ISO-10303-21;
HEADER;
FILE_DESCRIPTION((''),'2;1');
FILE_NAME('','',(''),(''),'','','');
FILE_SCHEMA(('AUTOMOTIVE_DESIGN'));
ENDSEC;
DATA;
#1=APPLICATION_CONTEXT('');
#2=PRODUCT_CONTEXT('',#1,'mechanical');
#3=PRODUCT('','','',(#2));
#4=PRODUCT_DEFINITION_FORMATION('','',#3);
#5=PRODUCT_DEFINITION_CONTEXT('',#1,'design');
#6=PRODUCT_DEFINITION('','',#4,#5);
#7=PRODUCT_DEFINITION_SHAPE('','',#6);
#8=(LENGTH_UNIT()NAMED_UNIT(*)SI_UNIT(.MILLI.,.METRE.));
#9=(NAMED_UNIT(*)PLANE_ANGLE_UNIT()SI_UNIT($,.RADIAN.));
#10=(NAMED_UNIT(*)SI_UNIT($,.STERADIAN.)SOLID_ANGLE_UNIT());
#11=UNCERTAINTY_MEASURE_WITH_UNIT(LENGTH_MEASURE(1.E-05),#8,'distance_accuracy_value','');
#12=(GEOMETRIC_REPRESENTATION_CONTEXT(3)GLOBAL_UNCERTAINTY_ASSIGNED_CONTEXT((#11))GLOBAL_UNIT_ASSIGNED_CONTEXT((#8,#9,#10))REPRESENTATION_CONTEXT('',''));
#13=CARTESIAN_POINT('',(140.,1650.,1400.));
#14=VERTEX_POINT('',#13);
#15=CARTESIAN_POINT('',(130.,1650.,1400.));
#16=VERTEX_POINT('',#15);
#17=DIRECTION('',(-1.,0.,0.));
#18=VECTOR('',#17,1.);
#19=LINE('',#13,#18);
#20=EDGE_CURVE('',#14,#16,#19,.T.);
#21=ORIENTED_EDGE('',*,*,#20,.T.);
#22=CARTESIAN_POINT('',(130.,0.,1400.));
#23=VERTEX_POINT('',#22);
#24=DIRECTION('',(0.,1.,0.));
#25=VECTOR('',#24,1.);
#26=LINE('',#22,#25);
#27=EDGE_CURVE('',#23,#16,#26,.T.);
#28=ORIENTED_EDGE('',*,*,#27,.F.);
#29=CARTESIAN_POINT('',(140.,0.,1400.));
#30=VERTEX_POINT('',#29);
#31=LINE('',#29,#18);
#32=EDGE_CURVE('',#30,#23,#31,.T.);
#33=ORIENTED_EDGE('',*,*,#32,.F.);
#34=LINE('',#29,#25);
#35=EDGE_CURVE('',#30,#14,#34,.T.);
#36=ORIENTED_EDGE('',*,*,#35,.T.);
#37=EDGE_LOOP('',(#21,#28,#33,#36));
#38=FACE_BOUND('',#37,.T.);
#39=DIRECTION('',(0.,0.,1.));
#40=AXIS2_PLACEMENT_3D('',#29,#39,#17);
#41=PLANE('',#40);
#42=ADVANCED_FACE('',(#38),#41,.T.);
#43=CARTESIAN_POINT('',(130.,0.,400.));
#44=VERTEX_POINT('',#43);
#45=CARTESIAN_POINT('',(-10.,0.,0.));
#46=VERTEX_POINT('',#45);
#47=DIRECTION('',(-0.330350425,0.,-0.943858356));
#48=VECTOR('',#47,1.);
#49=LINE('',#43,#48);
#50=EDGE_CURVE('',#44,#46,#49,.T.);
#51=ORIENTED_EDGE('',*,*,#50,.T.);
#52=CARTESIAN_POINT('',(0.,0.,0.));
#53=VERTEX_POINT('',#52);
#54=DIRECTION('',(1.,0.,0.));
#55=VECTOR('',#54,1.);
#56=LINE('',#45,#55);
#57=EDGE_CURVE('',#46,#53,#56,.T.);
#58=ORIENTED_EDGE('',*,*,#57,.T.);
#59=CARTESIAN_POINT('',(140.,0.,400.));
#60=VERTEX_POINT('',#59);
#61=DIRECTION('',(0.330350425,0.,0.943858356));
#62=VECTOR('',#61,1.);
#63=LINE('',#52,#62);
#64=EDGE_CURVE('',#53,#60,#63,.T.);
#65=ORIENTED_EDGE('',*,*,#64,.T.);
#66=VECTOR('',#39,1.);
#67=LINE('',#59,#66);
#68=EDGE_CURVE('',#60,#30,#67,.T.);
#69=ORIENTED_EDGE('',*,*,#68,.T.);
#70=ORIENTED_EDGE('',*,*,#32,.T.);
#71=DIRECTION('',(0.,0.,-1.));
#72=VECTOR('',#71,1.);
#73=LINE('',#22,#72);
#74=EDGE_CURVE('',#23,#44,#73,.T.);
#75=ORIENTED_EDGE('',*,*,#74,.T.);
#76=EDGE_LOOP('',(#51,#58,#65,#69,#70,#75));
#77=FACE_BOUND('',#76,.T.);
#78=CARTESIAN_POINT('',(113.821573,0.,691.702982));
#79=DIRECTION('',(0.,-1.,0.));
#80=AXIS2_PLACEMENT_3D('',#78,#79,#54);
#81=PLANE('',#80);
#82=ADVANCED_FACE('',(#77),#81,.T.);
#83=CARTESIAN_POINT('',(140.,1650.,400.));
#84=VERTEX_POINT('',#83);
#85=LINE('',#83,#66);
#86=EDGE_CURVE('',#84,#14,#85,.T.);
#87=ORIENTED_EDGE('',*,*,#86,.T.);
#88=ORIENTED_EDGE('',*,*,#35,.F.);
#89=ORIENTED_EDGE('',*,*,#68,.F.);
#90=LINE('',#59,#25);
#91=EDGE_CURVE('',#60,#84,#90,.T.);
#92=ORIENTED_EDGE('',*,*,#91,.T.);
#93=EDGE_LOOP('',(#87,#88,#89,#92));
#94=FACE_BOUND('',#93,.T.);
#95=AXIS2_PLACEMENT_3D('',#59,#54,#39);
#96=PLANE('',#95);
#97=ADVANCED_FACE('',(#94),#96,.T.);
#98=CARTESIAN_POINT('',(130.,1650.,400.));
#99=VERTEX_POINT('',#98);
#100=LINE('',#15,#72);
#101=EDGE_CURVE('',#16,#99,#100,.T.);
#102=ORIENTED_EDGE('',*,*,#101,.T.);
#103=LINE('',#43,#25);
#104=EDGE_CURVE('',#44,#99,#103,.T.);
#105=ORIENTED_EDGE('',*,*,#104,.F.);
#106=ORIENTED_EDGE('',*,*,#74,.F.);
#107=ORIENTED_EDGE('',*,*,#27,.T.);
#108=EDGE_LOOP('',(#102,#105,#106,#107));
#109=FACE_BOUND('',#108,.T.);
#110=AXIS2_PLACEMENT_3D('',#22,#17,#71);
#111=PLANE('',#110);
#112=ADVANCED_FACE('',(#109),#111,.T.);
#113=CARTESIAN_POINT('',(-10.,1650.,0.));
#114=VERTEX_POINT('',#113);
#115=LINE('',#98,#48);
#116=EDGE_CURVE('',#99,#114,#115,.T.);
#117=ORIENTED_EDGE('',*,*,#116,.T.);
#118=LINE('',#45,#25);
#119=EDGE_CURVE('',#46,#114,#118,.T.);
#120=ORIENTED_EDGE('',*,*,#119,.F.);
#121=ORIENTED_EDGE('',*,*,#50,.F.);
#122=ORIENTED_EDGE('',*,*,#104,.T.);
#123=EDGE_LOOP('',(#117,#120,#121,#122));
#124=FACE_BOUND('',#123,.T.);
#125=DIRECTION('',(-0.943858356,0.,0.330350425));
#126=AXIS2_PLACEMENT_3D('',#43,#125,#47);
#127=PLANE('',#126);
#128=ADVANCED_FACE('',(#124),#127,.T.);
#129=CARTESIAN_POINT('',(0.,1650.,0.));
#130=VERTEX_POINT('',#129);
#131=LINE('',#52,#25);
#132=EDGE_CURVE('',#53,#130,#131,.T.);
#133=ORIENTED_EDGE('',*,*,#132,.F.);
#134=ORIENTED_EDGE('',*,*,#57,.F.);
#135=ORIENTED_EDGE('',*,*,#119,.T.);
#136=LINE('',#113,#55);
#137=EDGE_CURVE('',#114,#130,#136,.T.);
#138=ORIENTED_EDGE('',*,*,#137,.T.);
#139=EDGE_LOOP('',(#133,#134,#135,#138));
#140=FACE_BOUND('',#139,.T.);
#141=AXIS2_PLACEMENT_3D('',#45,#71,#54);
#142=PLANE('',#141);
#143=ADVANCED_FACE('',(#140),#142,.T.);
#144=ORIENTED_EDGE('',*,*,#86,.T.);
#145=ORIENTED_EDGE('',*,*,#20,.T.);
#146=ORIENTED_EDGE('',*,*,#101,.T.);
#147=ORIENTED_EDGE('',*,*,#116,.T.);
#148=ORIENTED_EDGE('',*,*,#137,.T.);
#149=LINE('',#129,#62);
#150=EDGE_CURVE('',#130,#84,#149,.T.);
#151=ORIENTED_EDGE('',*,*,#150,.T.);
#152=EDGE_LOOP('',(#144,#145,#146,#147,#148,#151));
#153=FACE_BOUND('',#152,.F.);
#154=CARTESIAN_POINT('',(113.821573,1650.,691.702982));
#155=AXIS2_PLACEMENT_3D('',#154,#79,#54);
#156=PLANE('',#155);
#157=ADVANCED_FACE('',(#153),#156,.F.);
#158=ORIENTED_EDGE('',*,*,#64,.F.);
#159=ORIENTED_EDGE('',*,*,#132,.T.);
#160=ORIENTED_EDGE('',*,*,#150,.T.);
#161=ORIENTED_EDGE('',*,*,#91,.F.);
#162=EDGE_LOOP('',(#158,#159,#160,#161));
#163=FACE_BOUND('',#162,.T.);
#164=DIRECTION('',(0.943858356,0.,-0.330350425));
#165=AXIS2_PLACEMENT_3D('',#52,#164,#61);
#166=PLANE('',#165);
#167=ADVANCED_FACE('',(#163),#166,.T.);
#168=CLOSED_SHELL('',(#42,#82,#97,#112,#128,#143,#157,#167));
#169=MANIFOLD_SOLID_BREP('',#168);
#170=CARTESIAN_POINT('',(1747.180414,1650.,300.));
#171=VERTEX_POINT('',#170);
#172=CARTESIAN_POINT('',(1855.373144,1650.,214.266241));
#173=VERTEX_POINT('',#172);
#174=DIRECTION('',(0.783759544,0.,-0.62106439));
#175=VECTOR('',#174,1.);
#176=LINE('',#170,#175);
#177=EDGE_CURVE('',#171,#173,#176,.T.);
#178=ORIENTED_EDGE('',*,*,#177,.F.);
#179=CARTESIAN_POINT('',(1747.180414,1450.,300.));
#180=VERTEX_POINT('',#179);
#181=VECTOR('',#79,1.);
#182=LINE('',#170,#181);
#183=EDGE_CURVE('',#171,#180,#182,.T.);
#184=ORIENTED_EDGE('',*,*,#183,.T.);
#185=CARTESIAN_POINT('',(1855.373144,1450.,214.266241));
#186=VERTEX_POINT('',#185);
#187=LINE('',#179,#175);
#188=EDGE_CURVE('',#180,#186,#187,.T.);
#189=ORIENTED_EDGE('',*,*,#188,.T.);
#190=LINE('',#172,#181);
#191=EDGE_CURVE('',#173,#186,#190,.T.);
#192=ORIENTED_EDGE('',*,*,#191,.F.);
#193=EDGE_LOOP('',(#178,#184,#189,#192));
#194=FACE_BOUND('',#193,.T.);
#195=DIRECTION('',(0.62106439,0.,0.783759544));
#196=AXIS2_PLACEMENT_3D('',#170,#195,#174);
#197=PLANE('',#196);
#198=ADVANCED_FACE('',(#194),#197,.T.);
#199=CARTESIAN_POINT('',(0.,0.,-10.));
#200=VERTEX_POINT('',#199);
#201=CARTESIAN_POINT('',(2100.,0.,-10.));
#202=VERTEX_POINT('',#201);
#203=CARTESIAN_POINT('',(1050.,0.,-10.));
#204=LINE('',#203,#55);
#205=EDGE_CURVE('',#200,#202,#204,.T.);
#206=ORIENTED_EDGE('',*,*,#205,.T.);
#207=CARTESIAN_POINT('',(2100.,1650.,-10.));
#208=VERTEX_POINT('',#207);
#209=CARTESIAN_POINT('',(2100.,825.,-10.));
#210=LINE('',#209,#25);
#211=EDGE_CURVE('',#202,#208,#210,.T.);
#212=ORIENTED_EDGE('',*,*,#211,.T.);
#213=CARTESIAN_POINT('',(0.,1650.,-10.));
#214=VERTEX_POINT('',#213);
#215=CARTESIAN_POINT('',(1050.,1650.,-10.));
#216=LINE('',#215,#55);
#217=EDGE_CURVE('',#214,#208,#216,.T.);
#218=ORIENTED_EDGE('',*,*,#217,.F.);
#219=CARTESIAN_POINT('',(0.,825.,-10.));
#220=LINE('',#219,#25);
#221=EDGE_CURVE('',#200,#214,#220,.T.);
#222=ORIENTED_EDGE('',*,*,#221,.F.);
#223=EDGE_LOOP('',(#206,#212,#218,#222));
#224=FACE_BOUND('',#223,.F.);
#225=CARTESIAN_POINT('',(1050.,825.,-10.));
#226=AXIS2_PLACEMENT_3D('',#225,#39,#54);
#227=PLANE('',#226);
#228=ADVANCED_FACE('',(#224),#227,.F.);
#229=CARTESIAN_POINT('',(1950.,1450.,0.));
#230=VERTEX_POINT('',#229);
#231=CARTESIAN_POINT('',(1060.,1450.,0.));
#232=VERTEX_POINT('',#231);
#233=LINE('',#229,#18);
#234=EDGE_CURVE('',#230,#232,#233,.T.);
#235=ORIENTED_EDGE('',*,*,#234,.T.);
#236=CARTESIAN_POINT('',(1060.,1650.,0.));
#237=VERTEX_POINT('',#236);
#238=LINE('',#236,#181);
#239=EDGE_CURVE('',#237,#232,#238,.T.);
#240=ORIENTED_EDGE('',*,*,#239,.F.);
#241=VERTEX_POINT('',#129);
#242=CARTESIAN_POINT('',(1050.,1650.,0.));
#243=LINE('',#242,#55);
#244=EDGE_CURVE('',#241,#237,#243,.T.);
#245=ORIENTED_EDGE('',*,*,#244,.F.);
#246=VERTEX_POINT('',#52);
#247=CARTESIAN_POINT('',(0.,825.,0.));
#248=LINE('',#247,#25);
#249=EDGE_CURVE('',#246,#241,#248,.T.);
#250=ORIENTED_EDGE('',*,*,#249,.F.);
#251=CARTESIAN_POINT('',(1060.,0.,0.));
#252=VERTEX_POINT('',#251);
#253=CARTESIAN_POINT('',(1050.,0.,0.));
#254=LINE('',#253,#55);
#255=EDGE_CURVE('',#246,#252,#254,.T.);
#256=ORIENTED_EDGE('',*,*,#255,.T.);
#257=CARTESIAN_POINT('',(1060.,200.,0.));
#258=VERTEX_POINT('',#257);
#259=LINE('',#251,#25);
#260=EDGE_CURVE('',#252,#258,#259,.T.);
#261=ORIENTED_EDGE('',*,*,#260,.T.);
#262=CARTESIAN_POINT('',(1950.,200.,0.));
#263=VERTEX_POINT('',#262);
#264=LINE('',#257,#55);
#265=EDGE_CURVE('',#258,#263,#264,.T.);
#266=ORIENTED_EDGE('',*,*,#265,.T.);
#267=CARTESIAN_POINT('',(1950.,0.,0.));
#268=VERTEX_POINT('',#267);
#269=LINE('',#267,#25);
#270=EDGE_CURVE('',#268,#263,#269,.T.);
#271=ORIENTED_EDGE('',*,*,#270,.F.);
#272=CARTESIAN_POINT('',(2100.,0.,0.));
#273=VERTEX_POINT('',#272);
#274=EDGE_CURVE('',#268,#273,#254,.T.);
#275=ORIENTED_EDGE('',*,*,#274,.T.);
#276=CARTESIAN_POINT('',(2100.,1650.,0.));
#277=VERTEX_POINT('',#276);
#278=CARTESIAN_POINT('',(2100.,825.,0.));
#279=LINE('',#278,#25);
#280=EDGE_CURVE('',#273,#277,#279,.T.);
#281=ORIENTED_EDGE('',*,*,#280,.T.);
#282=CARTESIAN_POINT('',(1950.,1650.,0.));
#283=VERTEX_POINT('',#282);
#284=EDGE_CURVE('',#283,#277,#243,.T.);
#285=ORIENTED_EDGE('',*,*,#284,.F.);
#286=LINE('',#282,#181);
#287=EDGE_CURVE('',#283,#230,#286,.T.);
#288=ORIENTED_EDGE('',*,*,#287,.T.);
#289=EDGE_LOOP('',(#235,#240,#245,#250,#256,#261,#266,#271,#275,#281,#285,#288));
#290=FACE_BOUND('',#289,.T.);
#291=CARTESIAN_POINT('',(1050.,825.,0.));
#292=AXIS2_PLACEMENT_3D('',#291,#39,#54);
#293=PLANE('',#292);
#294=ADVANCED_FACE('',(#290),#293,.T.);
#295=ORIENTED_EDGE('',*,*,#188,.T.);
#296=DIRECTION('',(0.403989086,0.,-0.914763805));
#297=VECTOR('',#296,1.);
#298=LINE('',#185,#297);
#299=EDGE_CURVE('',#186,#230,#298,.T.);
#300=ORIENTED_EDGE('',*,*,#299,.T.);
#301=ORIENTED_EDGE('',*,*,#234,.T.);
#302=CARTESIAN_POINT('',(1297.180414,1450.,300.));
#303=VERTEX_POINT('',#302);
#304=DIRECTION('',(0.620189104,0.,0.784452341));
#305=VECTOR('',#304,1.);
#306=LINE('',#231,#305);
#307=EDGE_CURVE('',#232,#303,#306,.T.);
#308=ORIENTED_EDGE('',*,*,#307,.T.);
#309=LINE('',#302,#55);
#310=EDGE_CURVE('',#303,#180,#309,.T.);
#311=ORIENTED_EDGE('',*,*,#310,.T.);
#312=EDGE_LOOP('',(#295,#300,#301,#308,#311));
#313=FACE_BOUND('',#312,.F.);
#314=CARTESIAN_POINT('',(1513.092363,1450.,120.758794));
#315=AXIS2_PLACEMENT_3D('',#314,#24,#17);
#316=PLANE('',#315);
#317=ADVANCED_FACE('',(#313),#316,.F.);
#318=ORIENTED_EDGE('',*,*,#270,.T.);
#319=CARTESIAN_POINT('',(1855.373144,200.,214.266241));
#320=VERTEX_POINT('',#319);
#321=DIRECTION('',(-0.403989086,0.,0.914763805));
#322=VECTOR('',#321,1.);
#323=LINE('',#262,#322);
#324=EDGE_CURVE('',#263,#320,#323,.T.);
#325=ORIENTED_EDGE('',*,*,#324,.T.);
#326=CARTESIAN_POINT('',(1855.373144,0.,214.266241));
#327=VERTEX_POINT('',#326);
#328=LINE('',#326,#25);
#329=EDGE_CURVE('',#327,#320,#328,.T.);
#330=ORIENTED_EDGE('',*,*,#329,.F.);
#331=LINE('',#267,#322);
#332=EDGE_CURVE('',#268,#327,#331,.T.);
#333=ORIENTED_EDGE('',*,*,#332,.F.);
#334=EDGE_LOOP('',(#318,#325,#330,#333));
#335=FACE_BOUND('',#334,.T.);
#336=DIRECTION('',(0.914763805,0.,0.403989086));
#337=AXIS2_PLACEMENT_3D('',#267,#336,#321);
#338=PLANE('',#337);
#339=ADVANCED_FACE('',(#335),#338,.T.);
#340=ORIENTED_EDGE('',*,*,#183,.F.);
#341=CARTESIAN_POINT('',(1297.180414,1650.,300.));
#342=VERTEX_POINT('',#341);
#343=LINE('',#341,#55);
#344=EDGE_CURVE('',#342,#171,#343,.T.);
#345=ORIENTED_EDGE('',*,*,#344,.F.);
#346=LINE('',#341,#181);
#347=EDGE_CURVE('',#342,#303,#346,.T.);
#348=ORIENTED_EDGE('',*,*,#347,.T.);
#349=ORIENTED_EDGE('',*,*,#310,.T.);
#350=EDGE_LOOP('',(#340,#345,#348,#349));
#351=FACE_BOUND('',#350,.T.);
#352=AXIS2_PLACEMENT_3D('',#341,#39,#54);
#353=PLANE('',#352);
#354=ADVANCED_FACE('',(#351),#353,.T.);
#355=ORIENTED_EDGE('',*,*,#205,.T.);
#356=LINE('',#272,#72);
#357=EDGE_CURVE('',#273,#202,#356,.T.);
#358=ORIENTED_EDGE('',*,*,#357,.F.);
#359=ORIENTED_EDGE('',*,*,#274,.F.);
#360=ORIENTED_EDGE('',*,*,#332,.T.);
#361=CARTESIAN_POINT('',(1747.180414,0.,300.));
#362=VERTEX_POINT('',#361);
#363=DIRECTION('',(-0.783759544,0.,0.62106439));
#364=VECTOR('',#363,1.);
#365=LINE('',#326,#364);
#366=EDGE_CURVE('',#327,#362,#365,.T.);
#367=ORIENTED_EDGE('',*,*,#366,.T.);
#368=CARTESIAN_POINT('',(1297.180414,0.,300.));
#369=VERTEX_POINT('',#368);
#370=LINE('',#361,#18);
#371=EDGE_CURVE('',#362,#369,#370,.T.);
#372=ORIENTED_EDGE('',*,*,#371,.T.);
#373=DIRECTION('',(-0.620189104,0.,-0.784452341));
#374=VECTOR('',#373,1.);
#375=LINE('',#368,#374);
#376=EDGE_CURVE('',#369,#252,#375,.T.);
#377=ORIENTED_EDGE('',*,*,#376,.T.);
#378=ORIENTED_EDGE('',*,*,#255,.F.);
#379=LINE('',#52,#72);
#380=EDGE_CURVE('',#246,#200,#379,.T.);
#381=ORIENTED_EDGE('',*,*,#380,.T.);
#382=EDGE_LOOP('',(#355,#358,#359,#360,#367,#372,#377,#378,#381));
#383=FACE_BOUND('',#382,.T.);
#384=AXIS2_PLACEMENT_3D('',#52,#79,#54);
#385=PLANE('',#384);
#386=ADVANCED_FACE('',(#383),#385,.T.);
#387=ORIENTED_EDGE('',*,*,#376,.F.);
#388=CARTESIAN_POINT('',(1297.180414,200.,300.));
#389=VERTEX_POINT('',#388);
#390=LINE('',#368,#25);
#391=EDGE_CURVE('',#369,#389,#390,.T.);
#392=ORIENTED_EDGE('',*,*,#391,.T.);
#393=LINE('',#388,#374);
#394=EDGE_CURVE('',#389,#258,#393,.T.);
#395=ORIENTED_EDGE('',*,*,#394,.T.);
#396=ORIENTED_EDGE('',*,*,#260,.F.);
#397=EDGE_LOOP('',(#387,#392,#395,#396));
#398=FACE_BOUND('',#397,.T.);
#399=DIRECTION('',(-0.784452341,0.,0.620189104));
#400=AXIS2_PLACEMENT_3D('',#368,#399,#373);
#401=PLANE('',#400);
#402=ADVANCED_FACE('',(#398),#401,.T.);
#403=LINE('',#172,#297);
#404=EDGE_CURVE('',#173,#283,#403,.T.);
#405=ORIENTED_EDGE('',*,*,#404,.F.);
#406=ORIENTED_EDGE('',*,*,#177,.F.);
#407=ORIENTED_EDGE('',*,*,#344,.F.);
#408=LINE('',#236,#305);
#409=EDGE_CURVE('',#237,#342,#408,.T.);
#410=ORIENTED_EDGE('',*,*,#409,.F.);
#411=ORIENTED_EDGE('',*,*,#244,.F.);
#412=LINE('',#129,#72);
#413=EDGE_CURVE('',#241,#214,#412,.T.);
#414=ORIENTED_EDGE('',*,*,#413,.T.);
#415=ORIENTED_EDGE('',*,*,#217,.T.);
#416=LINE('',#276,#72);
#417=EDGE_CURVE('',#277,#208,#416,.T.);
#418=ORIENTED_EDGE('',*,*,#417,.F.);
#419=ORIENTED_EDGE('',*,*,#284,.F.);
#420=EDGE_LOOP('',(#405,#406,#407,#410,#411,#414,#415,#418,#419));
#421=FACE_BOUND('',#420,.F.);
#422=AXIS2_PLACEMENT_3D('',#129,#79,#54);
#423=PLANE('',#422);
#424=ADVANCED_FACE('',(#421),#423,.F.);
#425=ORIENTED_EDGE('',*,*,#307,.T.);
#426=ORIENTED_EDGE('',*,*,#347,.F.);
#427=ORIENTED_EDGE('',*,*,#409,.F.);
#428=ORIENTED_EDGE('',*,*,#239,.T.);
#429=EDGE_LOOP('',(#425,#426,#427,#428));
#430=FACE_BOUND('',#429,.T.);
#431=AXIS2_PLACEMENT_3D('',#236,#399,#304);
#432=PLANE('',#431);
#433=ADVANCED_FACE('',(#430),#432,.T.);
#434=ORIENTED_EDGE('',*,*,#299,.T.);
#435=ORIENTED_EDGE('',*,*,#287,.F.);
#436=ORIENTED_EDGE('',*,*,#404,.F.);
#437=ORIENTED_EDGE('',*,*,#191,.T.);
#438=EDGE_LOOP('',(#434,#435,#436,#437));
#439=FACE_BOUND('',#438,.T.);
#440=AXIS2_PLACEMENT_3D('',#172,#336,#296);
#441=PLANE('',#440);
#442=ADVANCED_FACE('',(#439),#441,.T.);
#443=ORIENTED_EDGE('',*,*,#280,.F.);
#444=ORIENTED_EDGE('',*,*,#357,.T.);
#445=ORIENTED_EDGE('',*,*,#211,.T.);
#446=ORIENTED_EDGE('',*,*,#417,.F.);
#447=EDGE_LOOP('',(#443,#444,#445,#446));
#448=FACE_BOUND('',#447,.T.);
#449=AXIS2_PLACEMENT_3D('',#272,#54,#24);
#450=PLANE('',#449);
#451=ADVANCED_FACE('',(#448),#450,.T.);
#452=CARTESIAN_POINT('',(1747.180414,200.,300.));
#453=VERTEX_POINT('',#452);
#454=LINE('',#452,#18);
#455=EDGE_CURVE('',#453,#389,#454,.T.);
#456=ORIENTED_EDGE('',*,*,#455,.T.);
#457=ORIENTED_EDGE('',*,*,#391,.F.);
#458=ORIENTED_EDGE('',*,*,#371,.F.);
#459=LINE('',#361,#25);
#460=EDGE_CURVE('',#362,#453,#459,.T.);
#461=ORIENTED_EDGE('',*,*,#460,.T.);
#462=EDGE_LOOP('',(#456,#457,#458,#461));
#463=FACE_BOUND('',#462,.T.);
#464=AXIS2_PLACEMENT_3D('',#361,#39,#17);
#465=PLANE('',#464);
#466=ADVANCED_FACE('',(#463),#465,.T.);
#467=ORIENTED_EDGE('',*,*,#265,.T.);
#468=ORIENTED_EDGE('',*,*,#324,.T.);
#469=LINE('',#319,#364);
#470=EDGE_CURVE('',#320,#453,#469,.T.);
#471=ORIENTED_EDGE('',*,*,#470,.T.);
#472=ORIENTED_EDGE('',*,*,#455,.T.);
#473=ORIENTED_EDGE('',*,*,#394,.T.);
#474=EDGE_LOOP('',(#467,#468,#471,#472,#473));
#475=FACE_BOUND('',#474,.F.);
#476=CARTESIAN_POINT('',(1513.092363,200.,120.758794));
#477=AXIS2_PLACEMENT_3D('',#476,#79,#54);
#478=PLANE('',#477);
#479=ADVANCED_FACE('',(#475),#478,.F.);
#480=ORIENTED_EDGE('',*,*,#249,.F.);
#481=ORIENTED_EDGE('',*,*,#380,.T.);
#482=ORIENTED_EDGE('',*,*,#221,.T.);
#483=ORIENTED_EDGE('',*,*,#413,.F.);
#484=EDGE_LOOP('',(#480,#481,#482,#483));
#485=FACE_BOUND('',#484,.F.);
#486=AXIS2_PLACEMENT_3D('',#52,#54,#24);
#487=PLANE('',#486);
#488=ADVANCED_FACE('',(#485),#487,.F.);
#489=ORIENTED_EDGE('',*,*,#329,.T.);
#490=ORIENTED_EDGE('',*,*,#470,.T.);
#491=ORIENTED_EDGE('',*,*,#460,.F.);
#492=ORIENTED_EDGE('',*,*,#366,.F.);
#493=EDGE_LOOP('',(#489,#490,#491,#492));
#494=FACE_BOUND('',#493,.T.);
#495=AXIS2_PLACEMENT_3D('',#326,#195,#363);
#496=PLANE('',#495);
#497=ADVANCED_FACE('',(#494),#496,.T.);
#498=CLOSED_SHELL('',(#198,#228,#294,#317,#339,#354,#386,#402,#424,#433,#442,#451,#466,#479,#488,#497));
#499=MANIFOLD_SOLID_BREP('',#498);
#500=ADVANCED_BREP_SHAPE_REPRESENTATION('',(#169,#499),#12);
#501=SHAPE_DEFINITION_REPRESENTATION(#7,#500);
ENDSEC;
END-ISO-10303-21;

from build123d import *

# Parameters (mm, degrees)
F0_W     = 2100
F0_H     = 1650
F2_DEPTH = 10
F3_DEPTH = 1650
F5_DEPTH = 200
F7_DEPTH = 200


with BuildPart() as f2:
    # F0 (on Top) → F2 (new body)
    with BuildSketch(Plane.XY):
        with Locations((1050, 825)):
            Rectangle(F0_W, F0_H)
    extrude(amount=-F2_DEPTH)

    # F4 (on face) → F5 (join)
    with BuildSketch(Plane.XZ):
        Polygon((1060, 0), (1950, 0), (1855.373144, 214.266241), (1747.180414, 300), (1297.180414, 300), align=None)
    extrude(amount=-F5_DEPTH)

    # F6 (on face) → F7 (join)
    with BuildSketch(Plane(origin=(0, 1650, 0), x_dir=(-1, 0, 0), z_dir=(0, 1, 0))):
        Polygon((-1855.373144, 214.266241), (-1950, 0), (-1060, 0), (-1297.180414, 300), (-1747.180414, 300), align=None)
    extrude(amount=-F7_DEPTH)


with BuildPart() as f3:
    # F1 (on Front) → F3 (new body)
    with BuildSketch(Plane.XZ):
        Polygon((-10, 0), (0, 0), (140, 400), (140, 1400), (130, 1400), (130, 400), align=None)
    extrude(amount=-F3_DEPTH)


solid = Compound([f2.part, f3.part])
